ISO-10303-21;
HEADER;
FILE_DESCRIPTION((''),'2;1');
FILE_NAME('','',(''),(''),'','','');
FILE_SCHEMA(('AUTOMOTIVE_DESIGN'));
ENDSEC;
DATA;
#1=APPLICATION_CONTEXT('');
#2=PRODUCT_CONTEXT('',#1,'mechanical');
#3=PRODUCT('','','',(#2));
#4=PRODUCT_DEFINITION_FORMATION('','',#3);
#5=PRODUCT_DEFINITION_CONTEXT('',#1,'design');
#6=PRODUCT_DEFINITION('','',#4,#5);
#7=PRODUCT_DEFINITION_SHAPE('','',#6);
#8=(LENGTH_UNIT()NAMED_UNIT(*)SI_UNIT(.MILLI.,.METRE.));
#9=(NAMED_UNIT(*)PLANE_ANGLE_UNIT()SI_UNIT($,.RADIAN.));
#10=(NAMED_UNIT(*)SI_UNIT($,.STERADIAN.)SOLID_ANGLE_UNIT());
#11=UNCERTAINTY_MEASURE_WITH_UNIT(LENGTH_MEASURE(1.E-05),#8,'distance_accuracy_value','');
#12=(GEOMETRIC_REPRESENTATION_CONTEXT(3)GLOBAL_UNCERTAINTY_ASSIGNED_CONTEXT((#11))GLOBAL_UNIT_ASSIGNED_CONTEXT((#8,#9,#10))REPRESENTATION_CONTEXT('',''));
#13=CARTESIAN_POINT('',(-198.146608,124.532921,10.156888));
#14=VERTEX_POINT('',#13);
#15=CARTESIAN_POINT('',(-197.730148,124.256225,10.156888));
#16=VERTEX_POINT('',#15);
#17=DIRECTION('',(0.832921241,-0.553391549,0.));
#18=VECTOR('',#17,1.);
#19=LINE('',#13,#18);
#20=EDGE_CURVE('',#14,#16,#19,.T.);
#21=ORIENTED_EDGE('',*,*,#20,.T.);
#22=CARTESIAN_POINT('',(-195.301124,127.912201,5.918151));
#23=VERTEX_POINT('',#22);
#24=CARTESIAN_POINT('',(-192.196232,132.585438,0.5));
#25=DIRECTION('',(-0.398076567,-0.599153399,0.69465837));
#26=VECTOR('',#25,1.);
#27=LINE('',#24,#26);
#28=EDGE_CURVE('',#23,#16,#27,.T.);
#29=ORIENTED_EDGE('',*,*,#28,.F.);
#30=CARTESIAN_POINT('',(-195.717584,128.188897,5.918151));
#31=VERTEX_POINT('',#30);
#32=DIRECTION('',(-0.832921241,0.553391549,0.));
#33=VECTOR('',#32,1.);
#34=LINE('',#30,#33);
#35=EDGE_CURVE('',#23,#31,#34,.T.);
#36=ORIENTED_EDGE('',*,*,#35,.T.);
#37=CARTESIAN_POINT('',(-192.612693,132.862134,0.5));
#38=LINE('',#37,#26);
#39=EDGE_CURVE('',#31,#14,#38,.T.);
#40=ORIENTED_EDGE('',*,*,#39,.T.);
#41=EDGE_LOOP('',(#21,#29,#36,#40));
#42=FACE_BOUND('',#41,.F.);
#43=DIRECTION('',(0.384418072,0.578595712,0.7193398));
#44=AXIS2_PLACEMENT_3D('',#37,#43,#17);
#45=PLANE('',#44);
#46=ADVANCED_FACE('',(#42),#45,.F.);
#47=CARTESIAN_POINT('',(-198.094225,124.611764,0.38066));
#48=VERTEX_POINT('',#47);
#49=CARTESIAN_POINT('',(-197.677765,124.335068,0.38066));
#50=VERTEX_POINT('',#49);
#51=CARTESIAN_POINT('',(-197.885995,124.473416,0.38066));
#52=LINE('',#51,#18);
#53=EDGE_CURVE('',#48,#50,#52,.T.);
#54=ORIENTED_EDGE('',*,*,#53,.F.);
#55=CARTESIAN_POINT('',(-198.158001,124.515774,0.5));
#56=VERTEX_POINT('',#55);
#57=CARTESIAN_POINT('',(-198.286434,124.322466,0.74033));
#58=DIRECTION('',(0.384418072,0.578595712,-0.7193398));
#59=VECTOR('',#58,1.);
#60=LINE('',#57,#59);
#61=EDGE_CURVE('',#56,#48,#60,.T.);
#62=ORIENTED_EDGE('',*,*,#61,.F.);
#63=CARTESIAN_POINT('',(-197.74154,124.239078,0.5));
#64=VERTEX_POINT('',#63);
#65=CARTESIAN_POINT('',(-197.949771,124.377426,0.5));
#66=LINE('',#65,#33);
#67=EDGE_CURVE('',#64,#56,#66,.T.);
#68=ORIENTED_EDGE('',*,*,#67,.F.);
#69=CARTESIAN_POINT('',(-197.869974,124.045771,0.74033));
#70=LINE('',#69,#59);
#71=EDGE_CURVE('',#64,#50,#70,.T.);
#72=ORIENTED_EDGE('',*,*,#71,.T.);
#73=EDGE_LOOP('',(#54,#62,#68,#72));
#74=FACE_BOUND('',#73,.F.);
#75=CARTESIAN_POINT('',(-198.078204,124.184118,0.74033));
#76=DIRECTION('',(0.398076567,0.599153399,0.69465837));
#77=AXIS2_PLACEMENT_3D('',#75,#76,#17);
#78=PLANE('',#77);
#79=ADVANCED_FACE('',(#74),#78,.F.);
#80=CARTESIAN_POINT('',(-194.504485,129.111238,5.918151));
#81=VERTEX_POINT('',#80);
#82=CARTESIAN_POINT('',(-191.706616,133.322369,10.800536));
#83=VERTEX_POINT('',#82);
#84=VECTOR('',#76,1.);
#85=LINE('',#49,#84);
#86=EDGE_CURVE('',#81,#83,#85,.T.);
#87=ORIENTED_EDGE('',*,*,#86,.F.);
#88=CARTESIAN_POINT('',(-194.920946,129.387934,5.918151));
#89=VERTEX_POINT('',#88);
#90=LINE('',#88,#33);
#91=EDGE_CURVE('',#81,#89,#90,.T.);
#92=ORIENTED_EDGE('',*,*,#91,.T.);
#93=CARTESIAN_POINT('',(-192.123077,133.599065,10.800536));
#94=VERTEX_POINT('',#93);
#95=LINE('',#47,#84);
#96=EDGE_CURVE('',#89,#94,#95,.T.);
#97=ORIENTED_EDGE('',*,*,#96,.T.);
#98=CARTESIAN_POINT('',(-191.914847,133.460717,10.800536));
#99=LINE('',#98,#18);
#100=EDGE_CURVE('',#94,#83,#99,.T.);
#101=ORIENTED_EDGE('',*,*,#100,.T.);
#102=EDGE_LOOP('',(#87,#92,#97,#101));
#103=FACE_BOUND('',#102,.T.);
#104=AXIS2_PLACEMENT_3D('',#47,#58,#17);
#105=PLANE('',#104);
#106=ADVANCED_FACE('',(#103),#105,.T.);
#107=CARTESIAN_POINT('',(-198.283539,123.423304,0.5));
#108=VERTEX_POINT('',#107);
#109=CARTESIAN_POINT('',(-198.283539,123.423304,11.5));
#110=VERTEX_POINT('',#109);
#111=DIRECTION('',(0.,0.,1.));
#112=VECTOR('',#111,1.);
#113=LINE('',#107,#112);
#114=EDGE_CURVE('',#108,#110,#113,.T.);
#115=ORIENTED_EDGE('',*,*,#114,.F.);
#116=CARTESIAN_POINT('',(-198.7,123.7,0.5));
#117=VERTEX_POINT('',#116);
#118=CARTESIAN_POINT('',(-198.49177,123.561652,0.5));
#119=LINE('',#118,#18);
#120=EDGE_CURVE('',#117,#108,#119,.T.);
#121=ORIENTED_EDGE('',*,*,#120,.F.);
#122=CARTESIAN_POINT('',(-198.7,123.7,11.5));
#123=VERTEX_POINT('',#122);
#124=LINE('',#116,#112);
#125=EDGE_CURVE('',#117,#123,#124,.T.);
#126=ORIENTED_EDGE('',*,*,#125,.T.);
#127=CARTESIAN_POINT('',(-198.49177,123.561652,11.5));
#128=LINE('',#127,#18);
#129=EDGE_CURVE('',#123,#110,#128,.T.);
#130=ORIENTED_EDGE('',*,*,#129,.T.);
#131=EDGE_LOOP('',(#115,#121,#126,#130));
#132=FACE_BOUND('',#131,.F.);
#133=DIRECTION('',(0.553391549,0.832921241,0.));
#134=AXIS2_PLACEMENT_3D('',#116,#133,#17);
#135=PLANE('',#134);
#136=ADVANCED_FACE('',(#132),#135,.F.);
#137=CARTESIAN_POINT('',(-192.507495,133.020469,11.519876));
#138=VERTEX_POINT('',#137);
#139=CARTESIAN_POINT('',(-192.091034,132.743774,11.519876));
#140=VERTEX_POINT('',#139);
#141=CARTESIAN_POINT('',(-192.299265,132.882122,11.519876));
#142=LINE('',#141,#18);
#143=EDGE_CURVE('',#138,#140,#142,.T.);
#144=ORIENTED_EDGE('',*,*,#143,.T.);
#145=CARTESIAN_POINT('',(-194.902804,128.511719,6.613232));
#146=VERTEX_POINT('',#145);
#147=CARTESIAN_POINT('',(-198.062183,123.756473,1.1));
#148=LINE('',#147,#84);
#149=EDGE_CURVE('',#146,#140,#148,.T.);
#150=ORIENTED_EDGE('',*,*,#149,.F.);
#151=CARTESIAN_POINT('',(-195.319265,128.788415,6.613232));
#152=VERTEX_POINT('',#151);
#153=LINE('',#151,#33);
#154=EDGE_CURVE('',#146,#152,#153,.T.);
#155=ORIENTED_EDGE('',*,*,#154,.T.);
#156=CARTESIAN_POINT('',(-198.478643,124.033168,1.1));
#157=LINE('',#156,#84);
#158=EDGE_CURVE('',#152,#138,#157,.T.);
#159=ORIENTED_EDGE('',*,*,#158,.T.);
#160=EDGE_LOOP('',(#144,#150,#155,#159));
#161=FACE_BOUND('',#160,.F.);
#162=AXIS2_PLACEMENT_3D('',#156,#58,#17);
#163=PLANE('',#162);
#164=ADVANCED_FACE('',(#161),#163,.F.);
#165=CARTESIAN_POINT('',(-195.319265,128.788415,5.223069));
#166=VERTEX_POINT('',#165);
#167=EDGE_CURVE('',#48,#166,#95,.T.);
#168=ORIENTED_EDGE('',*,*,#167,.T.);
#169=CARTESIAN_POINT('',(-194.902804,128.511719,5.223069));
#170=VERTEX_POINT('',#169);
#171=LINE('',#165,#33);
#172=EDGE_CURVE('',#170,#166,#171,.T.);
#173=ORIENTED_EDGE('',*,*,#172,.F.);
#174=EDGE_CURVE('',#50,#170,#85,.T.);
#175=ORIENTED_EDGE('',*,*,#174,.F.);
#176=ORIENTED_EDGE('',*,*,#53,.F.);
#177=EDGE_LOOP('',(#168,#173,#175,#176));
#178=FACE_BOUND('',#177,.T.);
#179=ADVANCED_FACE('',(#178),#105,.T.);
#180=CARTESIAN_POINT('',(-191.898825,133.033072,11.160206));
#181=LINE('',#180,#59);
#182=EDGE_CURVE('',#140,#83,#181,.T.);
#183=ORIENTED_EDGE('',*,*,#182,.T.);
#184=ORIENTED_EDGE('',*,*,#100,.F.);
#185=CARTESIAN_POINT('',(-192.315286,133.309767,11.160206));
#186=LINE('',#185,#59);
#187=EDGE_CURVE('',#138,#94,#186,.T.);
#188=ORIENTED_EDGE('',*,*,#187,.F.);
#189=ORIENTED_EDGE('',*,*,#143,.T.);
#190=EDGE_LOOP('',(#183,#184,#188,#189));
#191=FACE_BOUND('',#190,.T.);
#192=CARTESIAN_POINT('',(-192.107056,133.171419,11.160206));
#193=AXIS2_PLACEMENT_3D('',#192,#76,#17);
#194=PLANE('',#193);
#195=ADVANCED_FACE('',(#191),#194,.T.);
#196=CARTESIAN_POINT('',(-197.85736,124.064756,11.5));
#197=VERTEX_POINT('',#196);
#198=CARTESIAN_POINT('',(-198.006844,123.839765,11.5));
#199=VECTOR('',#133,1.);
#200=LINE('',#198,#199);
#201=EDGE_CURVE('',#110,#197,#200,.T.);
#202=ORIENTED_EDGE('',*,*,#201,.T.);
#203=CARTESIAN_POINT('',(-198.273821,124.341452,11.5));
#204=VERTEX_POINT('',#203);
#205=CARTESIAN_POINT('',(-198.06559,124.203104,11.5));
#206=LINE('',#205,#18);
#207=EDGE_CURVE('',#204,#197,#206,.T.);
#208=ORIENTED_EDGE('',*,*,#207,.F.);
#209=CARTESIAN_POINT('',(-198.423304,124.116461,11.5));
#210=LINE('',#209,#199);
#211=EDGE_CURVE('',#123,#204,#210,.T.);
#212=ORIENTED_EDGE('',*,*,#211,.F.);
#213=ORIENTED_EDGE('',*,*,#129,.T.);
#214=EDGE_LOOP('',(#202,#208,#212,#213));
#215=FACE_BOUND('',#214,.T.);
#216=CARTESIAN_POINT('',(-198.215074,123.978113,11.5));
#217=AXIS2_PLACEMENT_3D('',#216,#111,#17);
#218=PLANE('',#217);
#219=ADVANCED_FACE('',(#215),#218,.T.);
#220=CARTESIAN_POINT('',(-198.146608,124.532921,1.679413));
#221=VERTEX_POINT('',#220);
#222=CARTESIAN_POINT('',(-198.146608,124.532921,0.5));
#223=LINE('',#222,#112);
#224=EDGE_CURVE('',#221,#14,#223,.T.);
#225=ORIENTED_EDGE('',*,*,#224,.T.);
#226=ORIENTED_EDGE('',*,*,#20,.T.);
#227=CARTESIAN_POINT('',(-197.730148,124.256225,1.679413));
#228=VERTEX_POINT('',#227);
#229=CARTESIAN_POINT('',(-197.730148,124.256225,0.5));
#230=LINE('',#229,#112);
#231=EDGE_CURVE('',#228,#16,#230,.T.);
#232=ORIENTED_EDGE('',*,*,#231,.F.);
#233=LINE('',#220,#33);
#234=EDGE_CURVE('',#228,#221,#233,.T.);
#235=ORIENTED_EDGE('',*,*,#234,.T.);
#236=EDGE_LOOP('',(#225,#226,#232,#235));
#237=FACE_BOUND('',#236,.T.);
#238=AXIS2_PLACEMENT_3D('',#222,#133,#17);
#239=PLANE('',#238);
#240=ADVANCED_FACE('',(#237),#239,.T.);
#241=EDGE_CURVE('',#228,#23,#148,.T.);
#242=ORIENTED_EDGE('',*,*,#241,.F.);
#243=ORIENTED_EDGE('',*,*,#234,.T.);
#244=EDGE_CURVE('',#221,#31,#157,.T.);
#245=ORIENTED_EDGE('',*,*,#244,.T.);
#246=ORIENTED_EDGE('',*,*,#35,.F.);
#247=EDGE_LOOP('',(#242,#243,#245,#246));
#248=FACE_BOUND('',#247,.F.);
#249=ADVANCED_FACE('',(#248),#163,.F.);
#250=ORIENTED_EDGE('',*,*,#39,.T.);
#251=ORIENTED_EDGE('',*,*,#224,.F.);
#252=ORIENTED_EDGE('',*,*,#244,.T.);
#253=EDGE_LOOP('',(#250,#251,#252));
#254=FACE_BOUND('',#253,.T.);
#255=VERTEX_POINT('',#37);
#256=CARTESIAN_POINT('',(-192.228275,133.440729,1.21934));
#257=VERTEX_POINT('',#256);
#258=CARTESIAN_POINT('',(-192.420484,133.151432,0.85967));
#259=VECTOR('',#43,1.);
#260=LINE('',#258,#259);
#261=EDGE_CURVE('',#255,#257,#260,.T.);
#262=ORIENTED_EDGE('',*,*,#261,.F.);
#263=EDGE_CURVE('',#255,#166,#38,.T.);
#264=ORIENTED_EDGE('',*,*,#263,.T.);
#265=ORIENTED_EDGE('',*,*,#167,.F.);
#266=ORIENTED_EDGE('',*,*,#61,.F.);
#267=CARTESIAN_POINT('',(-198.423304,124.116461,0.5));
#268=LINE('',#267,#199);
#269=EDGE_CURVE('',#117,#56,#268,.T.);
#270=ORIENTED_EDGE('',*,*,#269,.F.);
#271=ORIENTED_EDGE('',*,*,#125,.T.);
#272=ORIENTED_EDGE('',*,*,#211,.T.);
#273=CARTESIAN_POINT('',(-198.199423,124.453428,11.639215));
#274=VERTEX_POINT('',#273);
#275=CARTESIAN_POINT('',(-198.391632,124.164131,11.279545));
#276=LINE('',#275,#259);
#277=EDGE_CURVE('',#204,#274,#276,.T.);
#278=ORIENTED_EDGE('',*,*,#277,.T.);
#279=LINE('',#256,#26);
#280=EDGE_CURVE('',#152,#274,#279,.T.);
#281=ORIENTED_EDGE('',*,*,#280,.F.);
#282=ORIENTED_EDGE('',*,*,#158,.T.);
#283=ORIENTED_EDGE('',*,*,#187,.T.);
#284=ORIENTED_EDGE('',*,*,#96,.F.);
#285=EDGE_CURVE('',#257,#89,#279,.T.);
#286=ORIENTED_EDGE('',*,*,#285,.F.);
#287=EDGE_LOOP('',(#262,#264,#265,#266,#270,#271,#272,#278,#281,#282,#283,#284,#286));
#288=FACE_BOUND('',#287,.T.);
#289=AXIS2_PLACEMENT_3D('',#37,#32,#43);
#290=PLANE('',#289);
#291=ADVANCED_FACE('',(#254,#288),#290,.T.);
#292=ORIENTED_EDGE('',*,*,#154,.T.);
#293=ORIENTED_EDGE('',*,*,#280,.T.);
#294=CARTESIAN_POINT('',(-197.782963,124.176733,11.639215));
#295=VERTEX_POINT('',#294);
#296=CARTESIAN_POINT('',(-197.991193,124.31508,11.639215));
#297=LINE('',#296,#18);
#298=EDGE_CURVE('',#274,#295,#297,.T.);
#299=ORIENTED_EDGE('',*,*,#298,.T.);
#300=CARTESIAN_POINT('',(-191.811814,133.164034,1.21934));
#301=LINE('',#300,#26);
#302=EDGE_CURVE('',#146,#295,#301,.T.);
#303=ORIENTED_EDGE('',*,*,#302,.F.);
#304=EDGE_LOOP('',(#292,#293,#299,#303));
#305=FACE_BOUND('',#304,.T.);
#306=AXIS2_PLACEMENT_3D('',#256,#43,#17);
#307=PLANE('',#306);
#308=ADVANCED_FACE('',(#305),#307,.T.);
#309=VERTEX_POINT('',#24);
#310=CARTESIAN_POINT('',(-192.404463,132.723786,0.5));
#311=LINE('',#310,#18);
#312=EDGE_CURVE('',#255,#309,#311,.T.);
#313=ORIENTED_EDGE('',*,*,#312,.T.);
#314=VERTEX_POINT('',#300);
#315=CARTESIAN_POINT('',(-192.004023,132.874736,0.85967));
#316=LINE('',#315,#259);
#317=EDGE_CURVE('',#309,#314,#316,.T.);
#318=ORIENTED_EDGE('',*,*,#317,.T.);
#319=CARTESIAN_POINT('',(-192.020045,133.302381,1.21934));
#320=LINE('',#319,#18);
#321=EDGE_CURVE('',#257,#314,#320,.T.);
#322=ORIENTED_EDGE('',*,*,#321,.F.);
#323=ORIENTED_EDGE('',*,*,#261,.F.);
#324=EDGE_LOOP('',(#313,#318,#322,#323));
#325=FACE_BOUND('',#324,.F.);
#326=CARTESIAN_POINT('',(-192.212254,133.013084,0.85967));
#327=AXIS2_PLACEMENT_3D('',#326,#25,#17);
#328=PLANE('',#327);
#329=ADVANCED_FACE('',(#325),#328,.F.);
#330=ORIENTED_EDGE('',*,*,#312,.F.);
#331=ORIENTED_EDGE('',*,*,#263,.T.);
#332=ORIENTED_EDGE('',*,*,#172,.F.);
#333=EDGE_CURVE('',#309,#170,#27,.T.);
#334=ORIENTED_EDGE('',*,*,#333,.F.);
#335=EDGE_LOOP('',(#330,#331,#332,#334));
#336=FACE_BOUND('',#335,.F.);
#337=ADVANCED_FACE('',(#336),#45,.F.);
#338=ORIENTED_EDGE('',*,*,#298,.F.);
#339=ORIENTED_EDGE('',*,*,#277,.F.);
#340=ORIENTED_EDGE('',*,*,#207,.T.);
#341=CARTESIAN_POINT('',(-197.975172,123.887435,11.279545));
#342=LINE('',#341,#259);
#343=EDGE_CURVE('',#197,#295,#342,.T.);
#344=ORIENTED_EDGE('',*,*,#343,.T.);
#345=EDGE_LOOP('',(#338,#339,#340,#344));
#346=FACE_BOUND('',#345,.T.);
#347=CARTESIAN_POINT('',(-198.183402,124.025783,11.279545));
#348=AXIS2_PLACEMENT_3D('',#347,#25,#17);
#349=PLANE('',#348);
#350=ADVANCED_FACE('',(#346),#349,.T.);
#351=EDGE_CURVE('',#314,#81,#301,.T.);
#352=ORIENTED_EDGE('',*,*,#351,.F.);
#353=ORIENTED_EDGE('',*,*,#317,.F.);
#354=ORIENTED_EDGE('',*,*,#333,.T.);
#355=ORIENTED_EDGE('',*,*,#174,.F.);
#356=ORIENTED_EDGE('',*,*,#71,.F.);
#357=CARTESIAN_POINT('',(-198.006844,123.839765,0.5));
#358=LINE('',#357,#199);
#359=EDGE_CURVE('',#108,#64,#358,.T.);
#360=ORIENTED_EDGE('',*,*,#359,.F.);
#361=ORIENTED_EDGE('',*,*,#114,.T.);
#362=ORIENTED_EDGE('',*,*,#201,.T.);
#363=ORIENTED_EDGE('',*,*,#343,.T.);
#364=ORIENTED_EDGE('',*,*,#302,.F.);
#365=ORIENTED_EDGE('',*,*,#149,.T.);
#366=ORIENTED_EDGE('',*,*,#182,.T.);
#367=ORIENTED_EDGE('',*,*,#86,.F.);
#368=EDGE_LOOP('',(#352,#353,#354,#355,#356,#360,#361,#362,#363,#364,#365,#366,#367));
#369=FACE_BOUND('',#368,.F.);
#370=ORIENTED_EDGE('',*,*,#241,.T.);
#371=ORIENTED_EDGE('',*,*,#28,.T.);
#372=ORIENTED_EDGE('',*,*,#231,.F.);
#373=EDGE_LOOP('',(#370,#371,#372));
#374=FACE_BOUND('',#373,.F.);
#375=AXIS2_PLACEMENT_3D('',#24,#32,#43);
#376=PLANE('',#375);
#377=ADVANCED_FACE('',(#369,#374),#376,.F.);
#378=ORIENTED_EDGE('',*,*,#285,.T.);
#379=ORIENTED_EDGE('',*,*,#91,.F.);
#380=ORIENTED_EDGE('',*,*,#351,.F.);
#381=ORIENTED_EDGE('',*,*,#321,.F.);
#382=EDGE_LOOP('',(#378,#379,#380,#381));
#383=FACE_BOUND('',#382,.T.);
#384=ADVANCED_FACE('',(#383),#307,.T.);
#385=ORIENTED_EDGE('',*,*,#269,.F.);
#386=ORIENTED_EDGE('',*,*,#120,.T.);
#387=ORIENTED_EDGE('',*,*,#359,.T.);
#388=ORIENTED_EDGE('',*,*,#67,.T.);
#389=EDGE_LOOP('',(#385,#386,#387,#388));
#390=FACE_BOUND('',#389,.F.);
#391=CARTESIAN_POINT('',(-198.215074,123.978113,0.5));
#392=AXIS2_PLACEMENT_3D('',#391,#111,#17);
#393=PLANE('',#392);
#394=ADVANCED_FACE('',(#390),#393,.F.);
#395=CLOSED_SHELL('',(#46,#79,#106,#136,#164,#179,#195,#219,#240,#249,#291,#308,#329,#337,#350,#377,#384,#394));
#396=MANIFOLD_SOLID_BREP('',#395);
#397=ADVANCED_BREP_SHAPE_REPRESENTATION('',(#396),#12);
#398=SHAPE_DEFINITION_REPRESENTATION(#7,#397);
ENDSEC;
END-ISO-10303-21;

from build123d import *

# Parameters (mm, degrees)
BOX229_W                  = 0.5
BOX229_H                  = 1
BOX229_DEPTH              = 15
BOX229_ROLL_ANGLE         = 46
BOX230_W                  = 0.5
BOX230_H                  = 1
BOX230_DEPTH              = 15
BOX230_ROLL_ANGLE         = -46
BOX227_W                  = 0.5
BOX227_H                  = 1
BOX227_DEPTH              = 11
FUSION019_PLACEMENT_ANGLE = -33.6


with BuildPart() as cubo229:
    # Box229 → Box229 (new body)
    with BuildSketch(Plane.XY):
        with Locations((0.25, 0.5)):
            Rectangle(BOX229_W, BOX229_H)
    extrude(amount=BOX229_DEPTH)


with BuildPart() as cubo229_1:
    # Box229 roll: moved
    add(cubo229.part.rotate(Axis((0, 0, 0), (1, 0, 0)), BOX229_ROLL_ANGLE))


with BuildPart() as cubo229_2:
    # Box229 placement: moved
    add(cubo229_1.part.moved(Location((0, 11, 0.5))))


with BuildPart() as cubo230:
    # Box230 → Box230 (new body)
    with BuildSketch(Plane.XY):
        with Locations((0.25, 0.5)):
            Rectangle(BOX230_W, BOX230_H)
    extrude(amount=BOX230_DEPTH)


with BuildPart() as cubo230_1:
    # Box230 roll: moved
    add(cubo230.part.rotate(Axis((0, 0, 0), (1, 0, 0)), BOX230_ROLL_ANGLE))


with BuildPart() as cubo230_2:
    # Box230 placement: moved
    add(cubo230_1.part.moved(Location((0, 0.4, 1.1))))


with BuildPart() as fusion019:
    # Box227 → Box227 (new body)
    with BuildSketch(Plane.XY.offset(0.5)):
        with Locations((0.25, 0.5)):
            Rectangle(BOX227_W, BOX227_H)
    extrude(amount=BOX227_DEPTH)

    # Fusion019: union Cubo229, Cubo230
    add(cubo229_2.part)
    add(cubo230_2.part)


with BuildPart() as fusion019_1:
    # Fusion019 placement: moved
    add(fusion019.part.moved(Location((-198.7, 123.7, 0))).rotate(Axis((-198.7, 123.7, 0), (0, 0, 1)), FUSION019_PLACEMENT_ANGLE))


solid = fusion019_1.part
